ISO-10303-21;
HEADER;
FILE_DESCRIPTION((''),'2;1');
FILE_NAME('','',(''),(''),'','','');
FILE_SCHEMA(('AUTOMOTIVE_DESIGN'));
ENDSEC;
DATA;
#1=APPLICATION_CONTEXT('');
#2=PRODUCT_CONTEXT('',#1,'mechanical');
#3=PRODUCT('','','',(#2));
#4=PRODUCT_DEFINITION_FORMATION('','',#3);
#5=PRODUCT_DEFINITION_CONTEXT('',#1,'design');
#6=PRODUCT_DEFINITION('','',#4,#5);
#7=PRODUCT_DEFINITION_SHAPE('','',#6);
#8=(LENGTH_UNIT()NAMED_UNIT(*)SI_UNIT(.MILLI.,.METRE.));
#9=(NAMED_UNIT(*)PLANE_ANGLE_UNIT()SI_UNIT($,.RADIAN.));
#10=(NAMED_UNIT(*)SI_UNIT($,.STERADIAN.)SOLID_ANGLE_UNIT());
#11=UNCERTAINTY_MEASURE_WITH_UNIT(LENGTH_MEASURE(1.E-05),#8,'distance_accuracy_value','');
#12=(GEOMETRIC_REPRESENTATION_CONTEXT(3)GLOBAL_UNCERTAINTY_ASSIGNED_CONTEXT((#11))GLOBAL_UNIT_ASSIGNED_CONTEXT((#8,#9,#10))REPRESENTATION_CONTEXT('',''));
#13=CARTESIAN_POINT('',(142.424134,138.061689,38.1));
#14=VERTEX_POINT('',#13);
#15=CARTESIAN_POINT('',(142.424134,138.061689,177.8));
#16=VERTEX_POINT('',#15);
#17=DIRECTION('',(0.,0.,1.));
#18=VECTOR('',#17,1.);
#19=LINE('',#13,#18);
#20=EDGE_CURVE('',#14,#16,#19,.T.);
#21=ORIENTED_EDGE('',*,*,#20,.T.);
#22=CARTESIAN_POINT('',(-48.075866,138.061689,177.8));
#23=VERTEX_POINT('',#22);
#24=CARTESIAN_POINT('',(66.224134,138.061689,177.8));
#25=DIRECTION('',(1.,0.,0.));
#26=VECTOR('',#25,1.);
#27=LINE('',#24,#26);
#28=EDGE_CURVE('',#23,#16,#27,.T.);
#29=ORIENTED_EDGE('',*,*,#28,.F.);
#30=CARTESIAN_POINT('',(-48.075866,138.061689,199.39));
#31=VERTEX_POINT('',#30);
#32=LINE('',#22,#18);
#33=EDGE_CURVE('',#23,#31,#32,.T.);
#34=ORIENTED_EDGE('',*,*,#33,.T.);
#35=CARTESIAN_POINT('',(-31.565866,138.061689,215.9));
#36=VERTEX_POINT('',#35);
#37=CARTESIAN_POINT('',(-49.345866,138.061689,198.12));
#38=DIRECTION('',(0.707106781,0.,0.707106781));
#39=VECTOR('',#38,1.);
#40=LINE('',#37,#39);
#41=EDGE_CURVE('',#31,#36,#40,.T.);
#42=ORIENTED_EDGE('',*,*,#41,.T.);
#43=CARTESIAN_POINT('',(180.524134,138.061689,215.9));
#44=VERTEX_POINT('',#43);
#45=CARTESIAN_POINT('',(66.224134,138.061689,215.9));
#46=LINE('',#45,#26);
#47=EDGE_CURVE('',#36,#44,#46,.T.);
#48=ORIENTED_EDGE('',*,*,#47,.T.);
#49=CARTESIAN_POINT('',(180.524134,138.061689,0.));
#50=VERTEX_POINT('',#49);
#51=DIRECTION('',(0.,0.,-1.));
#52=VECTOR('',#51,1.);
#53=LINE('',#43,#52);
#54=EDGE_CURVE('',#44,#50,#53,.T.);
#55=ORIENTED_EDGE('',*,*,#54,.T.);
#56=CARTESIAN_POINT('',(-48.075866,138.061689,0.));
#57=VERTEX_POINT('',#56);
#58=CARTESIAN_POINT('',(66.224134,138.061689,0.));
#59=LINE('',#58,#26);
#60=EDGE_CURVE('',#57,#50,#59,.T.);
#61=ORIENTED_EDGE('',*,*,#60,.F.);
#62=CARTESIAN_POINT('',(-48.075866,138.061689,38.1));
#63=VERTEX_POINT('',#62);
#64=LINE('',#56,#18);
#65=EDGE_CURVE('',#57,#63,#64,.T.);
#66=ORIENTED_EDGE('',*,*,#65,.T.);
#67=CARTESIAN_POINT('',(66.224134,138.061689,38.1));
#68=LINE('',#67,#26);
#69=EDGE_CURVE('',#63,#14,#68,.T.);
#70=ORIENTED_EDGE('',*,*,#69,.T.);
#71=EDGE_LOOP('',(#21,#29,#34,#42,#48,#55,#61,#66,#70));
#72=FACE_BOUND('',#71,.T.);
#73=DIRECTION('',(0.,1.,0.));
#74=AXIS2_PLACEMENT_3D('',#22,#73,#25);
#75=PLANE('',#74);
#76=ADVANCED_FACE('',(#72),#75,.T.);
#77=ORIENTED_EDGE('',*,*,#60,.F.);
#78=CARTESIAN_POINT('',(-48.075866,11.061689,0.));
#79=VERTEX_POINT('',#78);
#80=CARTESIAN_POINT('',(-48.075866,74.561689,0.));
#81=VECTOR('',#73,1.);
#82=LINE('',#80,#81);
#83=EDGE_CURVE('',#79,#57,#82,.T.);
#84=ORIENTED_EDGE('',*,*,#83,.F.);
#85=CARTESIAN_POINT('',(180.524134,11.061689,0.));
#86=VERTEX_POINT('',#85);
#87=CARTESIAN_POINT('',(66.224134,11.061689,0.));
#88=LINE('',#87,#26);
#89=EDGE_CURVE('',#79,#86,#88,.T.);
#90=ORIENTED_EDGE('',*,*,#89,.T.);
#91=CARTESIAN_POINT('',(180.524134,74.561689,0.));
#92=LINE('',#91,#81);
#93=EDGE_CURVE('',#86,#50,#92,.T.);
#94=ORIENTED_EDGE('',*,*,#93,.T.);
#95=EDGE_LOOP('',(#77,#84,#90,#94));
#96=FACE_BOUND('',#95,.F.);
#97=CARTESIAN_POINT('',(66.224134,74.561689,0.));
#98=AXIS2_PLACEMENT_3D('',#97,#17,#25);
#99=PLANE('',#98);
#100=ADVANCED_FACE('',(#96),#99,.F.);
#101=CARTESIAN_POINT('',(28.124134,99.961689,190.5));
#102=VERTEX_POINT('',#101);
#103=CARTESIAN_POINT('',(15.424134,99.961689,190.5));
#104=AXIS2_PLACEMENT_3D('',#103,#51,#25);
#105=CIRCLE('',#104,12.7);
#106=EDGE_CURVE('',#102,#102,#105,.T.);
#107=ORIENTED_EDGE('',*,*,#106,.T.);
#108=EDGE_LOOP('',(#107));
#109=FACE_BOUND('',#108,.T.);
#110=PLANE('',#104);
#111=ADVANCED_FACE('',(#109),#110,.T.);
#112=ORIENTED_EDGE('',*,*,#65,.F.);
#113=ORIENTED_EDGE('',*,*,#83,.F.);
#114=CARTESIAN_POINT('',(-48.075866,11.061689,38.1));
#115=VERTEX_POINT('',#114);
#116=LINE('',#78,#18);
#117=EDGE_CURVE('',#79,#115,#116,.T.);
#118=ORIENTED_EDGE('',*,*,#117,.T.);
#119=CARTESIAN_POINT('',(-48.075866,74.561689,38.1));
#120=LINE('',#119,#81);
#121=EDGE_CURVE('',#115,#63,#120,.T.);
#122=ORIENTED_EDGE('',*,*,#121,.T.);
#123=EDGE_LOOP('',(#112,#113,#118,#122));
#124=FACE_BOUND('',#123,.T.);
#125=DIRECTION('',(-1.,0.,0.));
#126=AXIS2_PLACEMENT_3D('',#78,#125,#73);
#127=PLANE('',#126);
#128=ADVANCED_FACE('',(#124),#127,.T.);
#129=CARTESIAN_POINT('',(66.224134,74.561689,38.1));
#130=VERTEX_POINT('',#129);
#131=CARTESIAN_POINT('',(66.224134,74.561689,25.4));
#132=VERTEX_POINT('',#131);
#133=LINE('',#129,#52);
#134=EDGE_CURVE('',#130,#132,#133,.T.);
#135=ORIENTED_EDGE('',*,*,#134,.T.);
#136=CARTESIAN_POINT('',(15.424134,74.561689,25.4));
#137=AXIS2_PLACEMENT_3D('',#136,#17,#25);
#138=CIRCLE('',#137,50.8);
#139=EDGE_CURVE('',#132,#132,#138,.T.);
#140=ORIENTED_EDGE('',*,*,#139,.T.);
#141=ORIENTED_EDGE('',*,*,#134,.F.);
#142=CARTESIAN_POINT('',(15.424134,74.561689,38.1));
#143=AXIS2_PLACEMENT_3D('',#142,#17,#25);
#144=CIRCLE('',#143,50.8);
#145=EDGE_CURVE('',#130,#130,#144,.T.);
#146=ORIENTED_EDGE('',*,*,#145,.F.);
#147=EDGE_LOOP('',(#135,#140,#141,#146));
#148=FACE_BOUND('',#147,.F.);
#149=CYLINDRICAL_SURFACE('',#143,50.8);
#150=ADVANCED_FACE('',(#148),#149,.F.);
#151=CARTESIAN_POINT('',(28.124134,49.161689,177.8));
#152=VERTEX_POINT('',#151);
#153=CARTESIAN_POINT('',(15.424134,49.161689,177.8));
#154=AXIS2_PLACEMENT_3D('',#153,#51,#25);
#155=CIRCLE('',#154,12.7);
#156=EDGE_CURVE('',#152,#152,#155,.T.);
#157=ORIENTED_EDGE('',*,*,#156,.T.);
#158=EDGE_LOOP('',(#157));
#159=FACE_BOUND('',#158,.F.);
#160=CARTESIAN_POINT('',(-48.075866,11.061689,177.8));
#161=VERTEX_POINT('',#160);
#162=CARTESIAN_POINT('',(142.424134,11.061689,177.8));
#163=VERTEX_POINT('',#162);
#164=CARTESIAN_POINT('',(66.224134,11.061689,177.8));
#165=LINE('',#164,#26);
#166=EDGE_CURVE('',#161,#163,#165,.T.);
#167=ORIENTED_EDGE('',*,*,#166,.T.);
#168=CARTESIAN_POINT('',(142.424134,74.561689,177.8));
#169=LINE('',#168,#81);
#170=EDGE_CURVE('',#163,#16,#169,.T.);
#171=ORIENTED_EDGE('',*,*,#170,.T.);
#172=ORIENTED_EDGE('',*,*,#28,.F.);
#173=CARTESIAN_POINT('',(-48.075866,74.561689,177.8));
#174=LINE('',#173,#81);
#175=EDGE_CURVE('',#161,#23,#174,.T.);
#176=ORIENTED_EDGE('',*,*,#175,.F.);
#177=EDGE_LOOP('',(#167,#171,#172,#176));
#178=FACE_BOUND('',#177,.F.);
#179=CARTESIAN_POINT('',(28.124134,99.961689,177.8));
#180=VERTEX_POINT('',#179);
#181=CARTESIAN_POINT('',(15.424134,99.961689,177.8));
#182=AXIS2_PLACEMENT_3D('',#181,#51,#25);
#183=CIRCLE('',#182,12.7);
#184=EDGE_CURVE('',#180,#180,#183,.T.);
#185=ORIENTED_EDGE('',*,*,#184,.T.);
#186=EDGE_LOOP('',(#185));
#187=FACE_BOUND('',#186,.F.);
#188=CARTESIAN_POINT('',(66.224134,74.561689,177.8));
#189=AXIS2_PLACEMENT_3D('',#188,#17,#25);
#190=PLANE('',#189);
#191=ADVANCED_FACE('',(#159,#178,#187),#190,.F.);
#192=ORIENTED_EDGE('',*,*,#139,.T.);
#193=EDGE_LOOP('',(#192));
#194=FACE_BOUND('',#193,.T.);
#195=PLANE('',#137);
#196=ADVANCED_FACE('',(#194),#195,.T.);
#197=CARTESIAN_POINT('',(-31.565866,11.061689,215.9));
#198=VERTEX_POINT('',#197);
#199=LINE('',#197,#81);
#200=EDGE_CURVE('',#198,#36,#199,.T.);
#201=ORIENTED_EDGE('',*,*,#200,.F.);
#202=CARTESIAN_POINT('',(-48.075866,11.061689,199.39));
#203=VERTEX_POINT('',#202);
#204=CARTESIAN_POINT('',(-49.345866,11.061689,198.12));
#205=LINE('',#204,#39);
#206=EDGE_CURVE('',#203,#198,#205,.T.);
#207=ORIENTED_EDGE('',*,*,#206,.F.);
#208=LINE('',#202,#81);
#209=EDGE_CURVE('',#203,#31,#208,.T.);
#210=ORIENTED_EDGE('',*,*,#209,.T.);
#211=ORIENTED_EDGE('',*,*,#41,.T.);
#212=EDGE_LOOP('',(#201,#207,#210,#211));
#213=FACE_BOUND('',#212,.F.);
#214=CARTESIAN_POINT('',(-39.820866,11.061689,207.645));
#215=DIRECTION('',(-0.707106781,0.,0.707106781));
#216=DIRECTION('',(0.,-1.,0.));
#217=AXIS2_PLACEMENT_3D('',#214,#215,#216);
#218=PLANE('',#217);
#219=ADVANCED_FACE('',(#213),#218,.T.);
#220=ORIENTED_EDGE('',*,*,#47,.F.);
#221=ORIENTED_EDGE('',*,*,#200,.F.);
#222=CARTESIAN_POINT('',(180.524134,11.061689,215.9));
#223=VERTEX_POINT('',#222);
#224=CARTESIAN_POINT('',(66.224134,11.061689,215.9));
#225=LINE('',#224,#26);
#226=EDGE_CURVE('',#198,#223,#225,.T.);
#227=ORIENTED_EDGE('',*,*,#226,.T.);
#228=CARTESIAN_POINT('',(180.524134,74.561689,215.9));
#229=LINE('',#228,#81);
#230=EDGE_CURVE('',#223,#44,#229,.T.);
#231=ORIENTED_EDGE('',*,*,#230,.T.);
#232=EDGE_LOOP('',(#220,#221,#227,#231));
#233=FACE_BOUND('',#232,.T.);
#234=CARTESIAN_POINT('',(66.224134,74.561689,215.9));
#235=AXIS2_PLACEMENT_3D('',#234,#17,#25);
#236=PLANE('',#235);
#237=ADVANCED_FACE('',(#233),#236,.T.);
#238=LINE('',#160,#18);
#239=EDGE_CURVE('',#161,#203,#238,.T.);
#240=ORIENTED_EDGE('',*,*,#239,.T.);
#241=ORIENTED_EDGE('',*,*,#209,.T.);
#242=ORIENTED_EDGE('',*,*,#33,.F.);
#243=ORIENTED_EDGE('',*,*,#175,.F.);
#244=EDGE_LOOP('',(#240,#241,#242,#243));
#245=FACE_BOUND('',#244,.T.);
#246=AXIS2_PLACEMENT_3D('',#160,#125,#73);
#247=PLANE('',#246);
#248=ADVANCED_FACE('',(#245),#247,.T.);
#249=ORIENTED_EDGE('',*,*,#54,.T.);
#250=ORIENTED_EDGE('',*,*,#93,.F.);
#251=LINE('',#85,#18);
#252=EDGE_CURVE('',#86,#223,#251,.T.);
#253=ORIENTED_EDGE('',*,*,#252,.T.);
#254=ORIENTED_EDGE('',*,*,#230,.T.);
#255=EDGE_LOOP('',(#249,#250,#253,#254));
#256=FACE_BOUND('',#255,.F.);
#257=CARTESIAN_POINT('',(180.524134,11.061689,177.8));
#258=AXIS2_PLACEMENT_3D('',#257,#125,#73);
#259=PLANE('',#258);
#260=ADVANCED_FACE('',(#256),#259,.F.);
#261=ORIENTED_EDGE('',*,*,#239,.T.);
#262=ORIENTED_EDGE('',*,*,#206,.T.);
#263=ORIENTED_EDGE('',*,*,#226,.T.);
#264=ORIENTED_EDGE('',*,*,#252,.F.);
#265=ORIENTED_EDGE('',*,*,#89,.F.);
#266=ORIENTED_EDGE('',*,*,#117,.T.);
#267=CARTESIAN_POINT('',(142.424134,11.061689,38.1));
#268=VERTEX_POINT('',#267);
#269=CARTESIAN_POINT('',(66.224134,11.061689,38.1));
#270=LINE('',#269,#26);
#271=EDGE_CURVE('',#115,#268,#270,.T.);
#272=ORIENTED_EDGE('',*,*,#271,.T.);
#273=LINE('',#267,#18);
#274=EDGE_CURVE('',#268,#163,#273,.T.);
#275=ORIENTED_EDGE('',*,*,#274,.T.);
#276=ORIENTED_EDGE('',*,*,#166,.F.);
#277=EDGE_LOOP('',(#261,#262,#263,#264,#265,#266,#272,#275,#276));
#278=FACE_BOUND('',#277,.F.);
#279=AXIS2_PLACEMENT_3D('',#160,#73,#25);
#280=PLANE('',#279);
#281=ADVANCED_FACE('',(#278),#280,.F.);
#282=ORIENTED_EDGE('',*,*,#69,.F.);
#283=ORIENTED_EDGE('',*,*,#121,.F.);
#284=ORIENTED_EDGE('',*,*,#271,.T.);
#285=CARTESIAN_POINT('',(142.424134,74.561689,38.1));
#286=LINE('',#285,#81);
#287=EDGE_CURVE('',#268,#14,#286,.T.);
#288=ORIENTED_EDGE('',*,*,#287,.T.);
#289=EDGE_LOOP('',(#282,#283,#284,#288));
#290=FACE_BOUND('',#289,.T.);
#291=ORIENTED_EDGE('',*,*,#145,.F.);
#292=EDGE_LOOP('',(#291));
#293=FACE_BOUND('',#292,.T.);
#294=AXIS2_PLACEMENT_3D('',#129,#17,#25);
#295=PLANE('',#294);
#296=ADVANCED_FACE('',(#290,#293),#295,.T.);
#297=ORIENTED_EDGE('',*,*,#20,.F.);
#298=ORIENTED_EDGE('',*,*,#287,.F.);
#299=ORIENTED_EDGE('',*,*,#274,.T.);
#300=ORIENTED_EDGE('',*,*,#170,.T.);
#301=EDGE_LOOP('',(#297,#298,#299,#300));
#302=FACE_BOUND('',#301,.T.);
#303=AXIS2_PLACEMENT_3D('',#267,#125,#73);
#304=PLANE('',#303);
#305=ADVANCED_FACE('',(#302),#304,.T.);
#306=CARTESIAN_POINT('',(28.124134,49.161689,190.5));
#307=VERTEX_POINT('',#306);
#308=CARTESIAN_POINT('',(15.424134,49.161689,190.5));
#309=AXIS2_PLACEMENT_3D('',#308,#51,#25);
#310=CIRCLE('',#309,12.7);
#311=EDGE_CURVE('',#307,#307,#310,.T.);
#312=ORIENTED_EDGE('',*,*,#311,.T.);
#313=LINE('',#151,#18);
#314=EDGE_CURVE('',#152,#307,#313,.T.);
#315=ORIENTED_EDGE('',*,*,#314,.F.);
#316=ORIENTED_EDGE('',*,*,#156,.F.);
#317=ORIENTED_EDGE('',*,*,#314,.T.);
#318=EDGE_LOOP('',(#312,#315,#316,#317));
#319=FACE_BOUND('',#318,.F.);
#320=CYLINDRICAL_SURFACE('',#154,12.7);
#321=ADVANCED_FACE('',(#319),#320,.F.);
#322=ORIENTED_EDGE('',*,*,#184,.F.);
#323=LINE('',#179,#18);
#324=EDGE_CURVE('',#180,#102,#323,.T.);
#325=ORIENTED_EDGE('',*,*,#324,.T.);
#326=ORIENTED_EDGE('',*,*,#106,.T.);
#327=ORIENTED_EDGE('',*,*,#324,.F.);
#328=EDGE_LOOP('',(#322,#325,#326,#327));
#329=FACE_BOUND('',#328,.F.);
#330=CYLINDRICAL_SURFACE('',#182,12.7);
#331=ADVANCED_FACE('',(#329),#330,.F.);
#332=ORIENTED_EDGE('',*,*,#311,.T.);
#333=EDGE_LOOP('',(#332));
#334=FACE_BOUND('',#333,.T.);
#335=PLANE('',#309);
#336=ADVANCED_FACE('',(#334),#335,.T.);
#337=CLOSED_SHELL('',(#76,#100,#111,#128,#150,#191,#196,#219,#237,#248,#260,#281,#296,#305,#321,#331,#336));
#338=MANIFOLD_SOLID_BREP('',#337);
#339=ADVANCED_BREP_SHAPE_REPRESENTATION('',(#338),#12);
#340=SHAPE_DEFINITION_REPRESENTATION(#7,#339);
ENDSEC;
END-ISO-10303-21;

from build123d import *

# Parameters (mm, degrees)
F0_W      = 228.6
F0_H      = 127
F1_DEPTH  = 38.1
F2_W      = 38.1
F2_H      = 127
F3_DEPTH  = 139.7
F4_W      = 228.6
F4_H      = 127
F5_DEPTH  = 38.1
F6_SIZE   = 16.51
F7_R      = 12.7
F8_DEPTH  = 12.7
F9_DEPTH  = 12.7
F10_R     = 50.8
F11_DEPTH = 12.7


with BuildPart() as f1:
    # F0 (on Top) → F1 (new body)
    with BuildSketch(Plane.XY):
        with Locations((66.2241340283, 74.5616891205)):
            Rectangle(F0_W, F0_H)
    extrude(amount=F1_DEPTH)

    # F2 (on face) → F3 (join)
    with BuildSketch(Plane.XY.offset(38.1)):
        with Locations((161.4741340283, 74.5616891205)):
            Rectangle(F2_W, F2_H)
    extrude(amount=F3_DEPTH)

    # F4 (on face) → F5 (join)
    with BuildSketch(Plane.XY.offset(177.8)):
        with Locations((66.2241340283, 74.5616891205)):
            Rectangle(F4_W, F4_H)
    extrude(amount=F5_DEPTH)

    # F6
    f6_edges = [f1.edges().sort_by_distance(p)[0] for p in [
        (-48.075866, 74.561689, 215.9),
    ]]
    chamfer(f6_edges, length=F6_SIZE)

    # F7 (on face) → F8 (cut)
    with BuildSketch(Plane(origin=(0, 0, 177.8), x_dir=(1, 0, 0), z_dir=(0, 0, -1))):
        with Locations((15.4241340283, -99.9616891205)):
            Circle(F7_R)
    extrude(amount=-F8_DEPTH, mode=Mode.SUBTRACT)

    # F7 (on face) → F9 (cut)
    with BuildSketch(Plane(origin=(0, 0, 177.8), x_dir=(1, 0, 0), z_dir=(0, 0, -1))):
        with Locations((15.4241340283, -49.1616891205)):
            Circle(F7_R)
    extrude(amount=-F9_DEPTH, mode=Mode.SUBTRACT)

    # F10 (on face) → F11 (cut)
    with BuildSketch(Plane.XY.offset(38.1)):
        with Locations((15.4241340283, 74.5616891205)):
            Circle(F10_R)
    extrude(amount=-F11_DEPTH, mode=Mode.SUBTRACT)


solid = f1.part
